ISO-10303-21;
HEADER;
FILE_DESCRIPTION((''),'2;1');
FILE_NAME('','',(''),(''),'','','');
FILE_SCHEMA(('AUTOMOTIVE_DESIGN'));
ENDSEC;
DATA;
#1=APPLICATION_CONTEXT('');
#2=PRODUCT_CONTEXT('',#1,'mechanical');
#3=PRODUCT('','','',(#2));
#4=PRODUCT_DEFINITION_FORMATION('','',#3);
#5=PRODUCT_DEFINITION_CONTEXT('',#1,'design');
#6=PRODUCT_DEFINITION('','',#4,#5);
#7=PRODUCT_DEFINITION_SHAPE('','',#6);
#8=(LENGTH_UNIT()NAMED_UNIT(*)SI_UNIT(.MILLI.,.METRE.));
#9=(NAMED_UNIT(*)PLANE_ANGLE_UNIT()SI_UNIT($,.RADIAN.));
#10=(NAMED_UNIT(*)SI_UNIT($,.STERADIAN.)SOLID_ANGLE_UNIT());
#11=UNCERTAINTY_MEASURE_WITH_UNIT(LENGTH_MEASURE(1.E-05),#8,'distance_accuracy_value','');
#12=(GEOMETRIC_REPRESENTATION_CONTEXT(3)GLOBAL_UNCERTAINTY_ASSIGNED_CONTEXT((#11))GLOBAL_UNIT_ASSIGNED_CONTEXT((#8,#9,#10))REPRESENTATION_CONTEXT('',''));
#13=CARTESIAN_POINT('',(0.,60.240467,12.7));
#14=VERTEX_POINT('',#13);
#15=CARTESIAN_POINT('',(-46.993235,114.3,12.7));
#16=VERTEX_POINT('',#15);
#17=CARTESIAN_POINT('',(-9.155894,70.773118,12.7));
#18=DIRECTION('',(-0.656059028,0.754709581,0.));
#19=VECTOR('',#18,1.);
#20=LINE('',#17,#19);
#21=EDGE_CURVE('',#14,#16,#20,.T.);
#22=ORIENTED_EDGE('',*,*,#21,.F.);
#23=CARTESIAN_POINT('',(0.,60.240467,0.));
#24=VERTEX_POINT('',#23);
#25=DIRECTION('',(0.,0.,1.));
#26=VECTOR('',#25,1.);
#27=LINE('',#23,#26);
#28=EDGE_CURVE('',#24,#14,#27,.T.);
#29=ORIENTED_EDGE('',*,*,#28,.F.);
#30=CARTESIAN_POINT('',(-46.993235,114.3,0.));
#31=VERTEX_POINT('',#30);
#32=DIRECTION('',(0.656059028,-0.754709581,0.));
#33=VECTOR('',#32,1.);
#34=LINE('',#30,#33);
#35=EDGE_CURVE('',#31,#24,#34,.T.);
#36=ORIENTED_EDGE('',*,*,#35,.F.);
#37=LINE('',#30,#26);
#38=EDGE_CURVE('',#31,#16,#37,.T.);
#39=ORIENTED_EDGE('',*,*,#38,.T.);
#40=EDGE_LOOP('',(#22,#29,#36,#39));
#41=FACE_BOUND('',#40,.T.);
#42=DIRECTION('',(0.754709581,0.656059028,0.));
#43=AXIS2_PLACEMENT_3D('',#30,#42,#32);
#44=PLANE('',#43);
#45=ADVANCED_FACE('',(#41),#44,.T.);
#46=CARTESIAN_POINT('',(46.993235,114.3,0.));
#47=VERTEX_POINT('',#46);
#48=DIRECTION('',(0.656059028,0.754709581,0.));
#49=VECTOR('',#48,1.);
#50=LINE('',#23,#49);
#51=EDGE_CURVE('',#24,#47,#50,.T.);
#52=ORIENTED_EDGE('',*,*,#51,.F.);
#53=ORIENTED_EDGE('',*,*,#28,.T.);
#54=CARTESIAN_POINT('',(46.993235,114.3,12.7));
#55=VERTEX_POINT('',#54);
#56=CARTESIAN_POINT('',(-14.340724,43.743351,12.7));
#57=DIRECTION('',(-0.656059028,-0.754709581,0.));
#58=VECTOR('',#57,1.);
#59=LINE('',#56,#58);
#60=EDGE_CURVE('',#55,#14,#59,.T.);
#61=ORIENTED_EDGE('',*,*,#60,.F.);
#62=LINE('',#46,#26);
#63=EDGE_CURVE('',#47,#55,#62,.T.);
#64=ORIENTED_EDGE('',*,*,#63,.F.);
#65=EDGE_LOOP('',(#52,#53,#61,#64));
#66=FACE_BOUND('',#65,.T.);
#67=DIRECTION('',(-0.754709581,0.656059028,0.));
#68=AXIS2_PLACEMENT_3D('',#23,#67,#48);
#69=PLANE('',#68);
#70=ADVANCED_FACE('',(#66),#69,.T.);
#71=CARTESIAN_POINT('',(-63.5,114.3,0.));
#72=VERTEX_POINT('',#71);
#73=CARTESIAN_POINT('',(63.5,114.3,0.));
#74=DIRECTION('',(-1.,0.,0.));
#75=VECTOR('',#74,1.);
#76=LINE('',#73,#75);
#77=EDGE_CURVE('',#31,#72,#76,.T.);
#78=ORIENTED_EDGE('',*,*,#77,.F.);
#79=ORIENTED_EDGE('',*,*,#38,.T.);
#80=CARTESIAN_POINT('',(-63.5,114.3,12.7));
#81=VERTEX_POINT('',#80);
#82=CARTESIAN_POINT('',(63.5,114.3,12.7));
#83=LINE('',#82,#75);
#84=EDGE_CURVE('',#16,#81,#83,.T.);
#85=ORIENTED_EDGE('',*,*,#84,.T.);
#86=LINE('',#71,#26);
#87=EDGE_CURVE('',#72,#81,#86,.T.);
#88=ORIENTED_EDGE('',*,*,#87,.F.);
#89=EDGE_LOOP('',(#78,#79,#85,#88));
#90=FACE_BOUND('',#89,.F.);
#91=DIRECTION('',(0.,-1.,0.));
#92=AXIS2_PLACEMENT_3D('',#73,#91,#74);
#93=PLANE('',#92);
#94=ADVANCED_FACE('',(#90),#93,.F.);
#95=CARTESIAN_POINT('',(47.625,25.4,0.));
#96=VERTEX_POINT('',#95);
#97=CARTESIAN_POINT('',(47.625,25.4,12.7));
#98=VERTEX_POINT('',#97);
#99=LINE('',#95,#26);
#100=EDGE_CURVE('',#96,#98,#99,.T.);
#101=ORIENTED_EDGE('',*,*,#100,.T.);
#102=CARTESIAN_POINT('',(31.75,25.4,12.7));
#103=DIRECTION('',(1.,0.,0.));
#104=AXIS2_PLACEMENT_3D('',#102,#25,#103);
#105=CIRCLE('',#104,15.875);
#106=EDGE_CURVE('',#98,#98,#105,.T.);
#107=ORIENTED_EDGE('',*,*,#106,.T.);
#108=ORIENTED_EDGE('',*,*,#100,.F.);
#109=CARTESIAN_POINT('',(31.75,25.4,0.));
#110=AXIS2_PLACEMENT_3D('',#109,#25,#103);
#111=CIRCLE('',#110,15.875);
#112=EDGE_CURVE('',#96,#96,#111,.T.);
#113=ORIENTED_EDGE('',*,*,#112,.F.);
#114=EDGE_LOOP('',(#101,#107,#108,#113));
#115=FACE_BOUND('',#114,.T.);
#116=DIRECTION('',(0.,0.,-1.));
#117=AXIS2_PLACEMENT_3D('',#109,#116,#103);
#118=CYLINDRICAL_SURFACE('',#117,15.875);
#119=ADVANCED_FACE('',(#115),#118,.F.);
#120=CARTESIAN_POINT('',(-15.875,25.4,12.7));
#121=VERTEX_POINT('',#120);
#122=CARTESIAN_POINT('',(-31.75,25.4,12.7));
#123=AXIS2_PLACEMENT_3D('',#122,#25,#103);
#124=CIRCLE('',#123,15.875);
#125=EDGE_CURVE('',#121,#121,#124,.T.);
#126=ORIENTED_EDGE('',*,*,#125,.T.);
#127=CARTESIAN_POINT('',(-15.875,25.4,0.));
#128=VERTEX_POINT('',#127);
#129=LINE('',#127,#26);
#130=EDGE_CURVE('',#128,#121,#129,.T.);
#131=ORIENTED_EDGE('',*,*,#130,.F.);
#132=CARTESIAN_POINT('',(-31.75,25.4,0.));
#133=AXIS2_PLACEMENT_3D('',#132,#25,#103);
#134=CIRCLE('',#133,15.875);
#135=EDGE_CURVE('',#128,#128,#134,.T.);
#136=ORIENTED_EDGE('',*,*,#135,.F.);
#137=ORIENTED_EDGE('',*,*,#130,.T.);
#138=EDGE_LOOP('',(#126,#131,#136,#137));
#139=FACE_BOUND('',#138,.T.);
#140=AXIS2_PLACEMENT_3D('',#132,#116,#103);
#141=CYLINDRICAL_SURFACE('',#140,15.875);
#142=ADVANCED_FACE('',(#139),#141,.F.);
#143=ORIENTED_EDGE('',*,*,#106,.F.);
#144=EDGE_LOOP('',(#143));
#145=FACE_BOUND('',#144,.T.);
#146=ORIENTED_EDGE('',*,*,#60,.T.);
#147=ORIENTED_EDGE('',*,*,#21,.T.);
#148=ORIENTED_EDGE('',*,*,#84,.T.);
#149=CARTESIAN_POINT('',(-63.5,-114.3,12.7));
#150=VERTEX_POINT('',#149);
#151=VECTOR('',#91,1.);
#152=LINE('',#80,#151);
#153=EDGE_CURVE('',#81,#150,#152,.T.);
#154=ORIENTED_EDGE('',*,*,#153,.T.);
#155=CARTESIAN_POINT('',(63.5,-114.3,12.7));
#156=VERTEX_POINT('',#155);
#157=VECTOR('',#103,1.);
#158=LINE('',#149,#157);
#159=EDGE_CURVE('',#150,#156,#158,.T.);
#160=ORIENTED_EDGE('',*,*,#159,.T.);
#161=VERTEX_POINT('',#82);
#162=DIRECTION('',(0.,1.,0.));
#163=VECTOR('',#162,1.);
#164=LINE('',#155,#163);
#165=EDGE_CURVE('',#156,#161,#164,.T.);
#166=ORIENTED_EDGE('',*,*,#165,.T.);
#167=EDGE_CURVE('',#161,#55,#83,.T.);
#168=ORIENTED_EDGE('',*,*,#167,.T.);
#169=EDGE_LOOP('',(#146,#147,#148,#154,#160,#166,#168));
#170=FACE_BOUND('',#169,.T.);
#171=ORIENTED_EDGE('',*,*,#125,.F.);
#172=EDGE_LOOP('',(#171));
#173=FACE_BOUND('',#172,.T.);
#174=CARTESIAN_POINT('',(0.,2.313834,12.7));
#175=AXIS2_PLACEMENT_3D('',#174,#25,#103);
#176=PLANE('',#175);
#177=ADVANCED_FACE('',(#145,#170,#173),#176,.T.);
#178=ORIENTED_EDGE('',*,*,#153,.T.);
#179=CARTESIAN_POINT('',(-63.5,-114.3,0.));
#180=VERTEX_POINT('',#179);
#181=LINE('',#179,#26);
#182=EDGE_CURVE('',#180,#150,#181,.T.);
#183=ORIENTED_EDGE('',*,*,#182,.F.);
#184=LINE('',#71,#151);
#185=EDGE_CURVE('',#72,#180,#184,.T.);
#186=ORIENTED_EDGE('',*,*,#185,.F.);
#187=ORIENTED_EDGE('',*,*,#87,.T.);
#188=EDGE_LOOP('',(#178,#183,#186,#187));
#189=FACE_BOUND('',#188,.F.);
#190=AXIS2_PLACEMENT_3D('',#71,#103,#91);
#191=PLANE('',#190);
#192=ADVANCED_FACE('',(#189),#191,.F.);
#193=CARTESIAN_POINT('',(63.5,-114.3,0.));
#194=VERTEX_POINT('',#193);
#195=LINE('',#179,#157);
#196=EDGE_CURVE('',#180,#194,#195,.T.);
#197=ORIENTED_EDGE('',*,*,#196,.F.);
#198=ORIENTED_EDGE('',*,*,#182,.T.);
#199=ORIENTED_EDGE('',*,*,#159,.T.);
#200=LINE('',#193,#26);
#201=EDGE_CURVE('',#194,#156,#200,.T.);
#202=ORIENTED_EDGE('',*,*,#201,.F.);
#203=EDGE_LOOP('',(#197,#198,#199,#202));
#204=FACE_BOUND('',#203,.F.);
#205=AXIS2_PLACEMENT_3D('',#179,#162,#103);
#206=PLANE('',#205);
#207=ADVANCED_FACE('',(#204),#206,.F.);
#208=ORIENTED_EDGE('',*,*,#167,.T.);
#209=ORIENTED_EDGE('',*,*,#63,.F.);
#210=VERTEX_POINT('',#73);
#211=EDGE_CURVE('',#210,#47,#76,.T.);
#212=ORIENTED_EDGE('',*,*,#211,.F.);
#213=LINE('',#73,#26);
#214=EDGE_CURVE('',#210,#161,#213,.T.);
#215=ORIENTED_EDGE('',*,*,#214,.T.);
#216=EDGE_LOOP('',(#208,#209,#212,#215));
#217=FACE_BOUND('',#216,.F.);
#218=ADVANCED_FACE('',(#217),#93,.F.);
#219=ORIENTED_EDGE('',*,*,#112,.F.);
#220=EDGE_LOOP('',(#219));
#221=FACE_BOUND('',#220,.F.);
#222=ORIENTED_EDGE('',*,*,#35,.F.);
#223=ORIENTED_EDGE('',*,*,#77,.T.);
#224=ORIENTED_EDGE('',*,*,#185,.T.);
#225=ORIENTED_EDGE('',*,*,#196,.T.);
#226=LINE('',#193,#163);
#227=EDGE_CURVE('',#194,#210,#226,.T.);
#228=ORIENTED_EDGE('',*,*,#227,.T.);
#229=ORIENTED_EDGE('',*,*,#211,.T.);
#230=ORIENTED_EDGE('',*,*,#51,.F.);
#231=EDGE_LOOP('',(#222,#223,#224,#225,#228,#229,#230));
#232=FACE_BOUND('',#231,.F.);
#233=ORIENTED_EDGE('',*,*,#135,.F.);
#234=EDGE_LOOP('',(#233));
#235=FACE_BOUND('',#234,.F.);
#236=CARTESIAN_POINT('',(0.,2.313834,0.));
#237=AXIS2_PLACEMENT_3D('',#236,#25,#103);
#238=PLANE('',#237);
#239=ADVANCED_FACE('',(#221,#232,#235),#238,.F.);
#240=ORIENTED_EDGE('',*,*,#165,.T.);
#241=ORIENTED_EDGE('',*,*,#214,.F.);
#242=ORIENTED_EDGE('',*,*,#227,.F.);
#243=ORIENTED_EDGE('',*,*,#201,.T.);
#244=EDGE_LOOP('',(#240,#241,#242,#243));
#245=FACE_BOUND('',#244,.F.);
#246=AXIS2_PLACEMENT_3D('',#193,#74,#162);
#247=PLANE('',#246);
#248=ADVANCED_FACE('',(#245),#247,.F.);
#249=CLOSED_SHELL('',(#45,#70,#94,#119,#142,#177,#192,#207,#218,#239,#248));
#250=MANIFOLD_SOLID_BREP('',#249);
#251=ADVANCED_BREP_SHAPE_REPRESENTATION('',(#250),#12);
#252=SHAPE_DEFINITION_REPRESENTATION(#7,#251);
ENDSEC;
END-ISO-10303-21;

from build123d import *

# Parameters (mm, degrees)
F0_R     = 15.875
F1_DEPTH = 12.7
F2_DEPTH = 25.4


with BuildPart() as f1:
    # F0 (on Top) → F1 (new body)
    with BuildSketch(Plane.XY):
        Polygon((-63.5, 114.3), (-63.5, -114.3), (63.5, -114.3), (63.5, 114.3), (46.993235, 114.3), (0, 60.240467), (-46.993235, 114.3), align=None)
        with Locations((-31.75, 25.4)):
            Circle(F0_R, mode=Mode.SUBTRACT)
        with Locations((31.75, 25.4)):
            Circle(F0_R, mode=Mode.SUBTRACT)
        Polygon((46.993235, 114.3), (-46.993235, 114.3), (0, 60.240467), align=None)
    extrude(amount=F1_DEPTH)

    # F0 (on Top) → F2 (cut)
    with BuildSketch(Plane.XY):
        Polygon((46.993235, 114.3), (-46.993235, 114.3), (0, 60.240467), align=None)
    extrude(amount=F2_DEPTH, mode=Mode.SUBTRACT)


solid = f1.part
